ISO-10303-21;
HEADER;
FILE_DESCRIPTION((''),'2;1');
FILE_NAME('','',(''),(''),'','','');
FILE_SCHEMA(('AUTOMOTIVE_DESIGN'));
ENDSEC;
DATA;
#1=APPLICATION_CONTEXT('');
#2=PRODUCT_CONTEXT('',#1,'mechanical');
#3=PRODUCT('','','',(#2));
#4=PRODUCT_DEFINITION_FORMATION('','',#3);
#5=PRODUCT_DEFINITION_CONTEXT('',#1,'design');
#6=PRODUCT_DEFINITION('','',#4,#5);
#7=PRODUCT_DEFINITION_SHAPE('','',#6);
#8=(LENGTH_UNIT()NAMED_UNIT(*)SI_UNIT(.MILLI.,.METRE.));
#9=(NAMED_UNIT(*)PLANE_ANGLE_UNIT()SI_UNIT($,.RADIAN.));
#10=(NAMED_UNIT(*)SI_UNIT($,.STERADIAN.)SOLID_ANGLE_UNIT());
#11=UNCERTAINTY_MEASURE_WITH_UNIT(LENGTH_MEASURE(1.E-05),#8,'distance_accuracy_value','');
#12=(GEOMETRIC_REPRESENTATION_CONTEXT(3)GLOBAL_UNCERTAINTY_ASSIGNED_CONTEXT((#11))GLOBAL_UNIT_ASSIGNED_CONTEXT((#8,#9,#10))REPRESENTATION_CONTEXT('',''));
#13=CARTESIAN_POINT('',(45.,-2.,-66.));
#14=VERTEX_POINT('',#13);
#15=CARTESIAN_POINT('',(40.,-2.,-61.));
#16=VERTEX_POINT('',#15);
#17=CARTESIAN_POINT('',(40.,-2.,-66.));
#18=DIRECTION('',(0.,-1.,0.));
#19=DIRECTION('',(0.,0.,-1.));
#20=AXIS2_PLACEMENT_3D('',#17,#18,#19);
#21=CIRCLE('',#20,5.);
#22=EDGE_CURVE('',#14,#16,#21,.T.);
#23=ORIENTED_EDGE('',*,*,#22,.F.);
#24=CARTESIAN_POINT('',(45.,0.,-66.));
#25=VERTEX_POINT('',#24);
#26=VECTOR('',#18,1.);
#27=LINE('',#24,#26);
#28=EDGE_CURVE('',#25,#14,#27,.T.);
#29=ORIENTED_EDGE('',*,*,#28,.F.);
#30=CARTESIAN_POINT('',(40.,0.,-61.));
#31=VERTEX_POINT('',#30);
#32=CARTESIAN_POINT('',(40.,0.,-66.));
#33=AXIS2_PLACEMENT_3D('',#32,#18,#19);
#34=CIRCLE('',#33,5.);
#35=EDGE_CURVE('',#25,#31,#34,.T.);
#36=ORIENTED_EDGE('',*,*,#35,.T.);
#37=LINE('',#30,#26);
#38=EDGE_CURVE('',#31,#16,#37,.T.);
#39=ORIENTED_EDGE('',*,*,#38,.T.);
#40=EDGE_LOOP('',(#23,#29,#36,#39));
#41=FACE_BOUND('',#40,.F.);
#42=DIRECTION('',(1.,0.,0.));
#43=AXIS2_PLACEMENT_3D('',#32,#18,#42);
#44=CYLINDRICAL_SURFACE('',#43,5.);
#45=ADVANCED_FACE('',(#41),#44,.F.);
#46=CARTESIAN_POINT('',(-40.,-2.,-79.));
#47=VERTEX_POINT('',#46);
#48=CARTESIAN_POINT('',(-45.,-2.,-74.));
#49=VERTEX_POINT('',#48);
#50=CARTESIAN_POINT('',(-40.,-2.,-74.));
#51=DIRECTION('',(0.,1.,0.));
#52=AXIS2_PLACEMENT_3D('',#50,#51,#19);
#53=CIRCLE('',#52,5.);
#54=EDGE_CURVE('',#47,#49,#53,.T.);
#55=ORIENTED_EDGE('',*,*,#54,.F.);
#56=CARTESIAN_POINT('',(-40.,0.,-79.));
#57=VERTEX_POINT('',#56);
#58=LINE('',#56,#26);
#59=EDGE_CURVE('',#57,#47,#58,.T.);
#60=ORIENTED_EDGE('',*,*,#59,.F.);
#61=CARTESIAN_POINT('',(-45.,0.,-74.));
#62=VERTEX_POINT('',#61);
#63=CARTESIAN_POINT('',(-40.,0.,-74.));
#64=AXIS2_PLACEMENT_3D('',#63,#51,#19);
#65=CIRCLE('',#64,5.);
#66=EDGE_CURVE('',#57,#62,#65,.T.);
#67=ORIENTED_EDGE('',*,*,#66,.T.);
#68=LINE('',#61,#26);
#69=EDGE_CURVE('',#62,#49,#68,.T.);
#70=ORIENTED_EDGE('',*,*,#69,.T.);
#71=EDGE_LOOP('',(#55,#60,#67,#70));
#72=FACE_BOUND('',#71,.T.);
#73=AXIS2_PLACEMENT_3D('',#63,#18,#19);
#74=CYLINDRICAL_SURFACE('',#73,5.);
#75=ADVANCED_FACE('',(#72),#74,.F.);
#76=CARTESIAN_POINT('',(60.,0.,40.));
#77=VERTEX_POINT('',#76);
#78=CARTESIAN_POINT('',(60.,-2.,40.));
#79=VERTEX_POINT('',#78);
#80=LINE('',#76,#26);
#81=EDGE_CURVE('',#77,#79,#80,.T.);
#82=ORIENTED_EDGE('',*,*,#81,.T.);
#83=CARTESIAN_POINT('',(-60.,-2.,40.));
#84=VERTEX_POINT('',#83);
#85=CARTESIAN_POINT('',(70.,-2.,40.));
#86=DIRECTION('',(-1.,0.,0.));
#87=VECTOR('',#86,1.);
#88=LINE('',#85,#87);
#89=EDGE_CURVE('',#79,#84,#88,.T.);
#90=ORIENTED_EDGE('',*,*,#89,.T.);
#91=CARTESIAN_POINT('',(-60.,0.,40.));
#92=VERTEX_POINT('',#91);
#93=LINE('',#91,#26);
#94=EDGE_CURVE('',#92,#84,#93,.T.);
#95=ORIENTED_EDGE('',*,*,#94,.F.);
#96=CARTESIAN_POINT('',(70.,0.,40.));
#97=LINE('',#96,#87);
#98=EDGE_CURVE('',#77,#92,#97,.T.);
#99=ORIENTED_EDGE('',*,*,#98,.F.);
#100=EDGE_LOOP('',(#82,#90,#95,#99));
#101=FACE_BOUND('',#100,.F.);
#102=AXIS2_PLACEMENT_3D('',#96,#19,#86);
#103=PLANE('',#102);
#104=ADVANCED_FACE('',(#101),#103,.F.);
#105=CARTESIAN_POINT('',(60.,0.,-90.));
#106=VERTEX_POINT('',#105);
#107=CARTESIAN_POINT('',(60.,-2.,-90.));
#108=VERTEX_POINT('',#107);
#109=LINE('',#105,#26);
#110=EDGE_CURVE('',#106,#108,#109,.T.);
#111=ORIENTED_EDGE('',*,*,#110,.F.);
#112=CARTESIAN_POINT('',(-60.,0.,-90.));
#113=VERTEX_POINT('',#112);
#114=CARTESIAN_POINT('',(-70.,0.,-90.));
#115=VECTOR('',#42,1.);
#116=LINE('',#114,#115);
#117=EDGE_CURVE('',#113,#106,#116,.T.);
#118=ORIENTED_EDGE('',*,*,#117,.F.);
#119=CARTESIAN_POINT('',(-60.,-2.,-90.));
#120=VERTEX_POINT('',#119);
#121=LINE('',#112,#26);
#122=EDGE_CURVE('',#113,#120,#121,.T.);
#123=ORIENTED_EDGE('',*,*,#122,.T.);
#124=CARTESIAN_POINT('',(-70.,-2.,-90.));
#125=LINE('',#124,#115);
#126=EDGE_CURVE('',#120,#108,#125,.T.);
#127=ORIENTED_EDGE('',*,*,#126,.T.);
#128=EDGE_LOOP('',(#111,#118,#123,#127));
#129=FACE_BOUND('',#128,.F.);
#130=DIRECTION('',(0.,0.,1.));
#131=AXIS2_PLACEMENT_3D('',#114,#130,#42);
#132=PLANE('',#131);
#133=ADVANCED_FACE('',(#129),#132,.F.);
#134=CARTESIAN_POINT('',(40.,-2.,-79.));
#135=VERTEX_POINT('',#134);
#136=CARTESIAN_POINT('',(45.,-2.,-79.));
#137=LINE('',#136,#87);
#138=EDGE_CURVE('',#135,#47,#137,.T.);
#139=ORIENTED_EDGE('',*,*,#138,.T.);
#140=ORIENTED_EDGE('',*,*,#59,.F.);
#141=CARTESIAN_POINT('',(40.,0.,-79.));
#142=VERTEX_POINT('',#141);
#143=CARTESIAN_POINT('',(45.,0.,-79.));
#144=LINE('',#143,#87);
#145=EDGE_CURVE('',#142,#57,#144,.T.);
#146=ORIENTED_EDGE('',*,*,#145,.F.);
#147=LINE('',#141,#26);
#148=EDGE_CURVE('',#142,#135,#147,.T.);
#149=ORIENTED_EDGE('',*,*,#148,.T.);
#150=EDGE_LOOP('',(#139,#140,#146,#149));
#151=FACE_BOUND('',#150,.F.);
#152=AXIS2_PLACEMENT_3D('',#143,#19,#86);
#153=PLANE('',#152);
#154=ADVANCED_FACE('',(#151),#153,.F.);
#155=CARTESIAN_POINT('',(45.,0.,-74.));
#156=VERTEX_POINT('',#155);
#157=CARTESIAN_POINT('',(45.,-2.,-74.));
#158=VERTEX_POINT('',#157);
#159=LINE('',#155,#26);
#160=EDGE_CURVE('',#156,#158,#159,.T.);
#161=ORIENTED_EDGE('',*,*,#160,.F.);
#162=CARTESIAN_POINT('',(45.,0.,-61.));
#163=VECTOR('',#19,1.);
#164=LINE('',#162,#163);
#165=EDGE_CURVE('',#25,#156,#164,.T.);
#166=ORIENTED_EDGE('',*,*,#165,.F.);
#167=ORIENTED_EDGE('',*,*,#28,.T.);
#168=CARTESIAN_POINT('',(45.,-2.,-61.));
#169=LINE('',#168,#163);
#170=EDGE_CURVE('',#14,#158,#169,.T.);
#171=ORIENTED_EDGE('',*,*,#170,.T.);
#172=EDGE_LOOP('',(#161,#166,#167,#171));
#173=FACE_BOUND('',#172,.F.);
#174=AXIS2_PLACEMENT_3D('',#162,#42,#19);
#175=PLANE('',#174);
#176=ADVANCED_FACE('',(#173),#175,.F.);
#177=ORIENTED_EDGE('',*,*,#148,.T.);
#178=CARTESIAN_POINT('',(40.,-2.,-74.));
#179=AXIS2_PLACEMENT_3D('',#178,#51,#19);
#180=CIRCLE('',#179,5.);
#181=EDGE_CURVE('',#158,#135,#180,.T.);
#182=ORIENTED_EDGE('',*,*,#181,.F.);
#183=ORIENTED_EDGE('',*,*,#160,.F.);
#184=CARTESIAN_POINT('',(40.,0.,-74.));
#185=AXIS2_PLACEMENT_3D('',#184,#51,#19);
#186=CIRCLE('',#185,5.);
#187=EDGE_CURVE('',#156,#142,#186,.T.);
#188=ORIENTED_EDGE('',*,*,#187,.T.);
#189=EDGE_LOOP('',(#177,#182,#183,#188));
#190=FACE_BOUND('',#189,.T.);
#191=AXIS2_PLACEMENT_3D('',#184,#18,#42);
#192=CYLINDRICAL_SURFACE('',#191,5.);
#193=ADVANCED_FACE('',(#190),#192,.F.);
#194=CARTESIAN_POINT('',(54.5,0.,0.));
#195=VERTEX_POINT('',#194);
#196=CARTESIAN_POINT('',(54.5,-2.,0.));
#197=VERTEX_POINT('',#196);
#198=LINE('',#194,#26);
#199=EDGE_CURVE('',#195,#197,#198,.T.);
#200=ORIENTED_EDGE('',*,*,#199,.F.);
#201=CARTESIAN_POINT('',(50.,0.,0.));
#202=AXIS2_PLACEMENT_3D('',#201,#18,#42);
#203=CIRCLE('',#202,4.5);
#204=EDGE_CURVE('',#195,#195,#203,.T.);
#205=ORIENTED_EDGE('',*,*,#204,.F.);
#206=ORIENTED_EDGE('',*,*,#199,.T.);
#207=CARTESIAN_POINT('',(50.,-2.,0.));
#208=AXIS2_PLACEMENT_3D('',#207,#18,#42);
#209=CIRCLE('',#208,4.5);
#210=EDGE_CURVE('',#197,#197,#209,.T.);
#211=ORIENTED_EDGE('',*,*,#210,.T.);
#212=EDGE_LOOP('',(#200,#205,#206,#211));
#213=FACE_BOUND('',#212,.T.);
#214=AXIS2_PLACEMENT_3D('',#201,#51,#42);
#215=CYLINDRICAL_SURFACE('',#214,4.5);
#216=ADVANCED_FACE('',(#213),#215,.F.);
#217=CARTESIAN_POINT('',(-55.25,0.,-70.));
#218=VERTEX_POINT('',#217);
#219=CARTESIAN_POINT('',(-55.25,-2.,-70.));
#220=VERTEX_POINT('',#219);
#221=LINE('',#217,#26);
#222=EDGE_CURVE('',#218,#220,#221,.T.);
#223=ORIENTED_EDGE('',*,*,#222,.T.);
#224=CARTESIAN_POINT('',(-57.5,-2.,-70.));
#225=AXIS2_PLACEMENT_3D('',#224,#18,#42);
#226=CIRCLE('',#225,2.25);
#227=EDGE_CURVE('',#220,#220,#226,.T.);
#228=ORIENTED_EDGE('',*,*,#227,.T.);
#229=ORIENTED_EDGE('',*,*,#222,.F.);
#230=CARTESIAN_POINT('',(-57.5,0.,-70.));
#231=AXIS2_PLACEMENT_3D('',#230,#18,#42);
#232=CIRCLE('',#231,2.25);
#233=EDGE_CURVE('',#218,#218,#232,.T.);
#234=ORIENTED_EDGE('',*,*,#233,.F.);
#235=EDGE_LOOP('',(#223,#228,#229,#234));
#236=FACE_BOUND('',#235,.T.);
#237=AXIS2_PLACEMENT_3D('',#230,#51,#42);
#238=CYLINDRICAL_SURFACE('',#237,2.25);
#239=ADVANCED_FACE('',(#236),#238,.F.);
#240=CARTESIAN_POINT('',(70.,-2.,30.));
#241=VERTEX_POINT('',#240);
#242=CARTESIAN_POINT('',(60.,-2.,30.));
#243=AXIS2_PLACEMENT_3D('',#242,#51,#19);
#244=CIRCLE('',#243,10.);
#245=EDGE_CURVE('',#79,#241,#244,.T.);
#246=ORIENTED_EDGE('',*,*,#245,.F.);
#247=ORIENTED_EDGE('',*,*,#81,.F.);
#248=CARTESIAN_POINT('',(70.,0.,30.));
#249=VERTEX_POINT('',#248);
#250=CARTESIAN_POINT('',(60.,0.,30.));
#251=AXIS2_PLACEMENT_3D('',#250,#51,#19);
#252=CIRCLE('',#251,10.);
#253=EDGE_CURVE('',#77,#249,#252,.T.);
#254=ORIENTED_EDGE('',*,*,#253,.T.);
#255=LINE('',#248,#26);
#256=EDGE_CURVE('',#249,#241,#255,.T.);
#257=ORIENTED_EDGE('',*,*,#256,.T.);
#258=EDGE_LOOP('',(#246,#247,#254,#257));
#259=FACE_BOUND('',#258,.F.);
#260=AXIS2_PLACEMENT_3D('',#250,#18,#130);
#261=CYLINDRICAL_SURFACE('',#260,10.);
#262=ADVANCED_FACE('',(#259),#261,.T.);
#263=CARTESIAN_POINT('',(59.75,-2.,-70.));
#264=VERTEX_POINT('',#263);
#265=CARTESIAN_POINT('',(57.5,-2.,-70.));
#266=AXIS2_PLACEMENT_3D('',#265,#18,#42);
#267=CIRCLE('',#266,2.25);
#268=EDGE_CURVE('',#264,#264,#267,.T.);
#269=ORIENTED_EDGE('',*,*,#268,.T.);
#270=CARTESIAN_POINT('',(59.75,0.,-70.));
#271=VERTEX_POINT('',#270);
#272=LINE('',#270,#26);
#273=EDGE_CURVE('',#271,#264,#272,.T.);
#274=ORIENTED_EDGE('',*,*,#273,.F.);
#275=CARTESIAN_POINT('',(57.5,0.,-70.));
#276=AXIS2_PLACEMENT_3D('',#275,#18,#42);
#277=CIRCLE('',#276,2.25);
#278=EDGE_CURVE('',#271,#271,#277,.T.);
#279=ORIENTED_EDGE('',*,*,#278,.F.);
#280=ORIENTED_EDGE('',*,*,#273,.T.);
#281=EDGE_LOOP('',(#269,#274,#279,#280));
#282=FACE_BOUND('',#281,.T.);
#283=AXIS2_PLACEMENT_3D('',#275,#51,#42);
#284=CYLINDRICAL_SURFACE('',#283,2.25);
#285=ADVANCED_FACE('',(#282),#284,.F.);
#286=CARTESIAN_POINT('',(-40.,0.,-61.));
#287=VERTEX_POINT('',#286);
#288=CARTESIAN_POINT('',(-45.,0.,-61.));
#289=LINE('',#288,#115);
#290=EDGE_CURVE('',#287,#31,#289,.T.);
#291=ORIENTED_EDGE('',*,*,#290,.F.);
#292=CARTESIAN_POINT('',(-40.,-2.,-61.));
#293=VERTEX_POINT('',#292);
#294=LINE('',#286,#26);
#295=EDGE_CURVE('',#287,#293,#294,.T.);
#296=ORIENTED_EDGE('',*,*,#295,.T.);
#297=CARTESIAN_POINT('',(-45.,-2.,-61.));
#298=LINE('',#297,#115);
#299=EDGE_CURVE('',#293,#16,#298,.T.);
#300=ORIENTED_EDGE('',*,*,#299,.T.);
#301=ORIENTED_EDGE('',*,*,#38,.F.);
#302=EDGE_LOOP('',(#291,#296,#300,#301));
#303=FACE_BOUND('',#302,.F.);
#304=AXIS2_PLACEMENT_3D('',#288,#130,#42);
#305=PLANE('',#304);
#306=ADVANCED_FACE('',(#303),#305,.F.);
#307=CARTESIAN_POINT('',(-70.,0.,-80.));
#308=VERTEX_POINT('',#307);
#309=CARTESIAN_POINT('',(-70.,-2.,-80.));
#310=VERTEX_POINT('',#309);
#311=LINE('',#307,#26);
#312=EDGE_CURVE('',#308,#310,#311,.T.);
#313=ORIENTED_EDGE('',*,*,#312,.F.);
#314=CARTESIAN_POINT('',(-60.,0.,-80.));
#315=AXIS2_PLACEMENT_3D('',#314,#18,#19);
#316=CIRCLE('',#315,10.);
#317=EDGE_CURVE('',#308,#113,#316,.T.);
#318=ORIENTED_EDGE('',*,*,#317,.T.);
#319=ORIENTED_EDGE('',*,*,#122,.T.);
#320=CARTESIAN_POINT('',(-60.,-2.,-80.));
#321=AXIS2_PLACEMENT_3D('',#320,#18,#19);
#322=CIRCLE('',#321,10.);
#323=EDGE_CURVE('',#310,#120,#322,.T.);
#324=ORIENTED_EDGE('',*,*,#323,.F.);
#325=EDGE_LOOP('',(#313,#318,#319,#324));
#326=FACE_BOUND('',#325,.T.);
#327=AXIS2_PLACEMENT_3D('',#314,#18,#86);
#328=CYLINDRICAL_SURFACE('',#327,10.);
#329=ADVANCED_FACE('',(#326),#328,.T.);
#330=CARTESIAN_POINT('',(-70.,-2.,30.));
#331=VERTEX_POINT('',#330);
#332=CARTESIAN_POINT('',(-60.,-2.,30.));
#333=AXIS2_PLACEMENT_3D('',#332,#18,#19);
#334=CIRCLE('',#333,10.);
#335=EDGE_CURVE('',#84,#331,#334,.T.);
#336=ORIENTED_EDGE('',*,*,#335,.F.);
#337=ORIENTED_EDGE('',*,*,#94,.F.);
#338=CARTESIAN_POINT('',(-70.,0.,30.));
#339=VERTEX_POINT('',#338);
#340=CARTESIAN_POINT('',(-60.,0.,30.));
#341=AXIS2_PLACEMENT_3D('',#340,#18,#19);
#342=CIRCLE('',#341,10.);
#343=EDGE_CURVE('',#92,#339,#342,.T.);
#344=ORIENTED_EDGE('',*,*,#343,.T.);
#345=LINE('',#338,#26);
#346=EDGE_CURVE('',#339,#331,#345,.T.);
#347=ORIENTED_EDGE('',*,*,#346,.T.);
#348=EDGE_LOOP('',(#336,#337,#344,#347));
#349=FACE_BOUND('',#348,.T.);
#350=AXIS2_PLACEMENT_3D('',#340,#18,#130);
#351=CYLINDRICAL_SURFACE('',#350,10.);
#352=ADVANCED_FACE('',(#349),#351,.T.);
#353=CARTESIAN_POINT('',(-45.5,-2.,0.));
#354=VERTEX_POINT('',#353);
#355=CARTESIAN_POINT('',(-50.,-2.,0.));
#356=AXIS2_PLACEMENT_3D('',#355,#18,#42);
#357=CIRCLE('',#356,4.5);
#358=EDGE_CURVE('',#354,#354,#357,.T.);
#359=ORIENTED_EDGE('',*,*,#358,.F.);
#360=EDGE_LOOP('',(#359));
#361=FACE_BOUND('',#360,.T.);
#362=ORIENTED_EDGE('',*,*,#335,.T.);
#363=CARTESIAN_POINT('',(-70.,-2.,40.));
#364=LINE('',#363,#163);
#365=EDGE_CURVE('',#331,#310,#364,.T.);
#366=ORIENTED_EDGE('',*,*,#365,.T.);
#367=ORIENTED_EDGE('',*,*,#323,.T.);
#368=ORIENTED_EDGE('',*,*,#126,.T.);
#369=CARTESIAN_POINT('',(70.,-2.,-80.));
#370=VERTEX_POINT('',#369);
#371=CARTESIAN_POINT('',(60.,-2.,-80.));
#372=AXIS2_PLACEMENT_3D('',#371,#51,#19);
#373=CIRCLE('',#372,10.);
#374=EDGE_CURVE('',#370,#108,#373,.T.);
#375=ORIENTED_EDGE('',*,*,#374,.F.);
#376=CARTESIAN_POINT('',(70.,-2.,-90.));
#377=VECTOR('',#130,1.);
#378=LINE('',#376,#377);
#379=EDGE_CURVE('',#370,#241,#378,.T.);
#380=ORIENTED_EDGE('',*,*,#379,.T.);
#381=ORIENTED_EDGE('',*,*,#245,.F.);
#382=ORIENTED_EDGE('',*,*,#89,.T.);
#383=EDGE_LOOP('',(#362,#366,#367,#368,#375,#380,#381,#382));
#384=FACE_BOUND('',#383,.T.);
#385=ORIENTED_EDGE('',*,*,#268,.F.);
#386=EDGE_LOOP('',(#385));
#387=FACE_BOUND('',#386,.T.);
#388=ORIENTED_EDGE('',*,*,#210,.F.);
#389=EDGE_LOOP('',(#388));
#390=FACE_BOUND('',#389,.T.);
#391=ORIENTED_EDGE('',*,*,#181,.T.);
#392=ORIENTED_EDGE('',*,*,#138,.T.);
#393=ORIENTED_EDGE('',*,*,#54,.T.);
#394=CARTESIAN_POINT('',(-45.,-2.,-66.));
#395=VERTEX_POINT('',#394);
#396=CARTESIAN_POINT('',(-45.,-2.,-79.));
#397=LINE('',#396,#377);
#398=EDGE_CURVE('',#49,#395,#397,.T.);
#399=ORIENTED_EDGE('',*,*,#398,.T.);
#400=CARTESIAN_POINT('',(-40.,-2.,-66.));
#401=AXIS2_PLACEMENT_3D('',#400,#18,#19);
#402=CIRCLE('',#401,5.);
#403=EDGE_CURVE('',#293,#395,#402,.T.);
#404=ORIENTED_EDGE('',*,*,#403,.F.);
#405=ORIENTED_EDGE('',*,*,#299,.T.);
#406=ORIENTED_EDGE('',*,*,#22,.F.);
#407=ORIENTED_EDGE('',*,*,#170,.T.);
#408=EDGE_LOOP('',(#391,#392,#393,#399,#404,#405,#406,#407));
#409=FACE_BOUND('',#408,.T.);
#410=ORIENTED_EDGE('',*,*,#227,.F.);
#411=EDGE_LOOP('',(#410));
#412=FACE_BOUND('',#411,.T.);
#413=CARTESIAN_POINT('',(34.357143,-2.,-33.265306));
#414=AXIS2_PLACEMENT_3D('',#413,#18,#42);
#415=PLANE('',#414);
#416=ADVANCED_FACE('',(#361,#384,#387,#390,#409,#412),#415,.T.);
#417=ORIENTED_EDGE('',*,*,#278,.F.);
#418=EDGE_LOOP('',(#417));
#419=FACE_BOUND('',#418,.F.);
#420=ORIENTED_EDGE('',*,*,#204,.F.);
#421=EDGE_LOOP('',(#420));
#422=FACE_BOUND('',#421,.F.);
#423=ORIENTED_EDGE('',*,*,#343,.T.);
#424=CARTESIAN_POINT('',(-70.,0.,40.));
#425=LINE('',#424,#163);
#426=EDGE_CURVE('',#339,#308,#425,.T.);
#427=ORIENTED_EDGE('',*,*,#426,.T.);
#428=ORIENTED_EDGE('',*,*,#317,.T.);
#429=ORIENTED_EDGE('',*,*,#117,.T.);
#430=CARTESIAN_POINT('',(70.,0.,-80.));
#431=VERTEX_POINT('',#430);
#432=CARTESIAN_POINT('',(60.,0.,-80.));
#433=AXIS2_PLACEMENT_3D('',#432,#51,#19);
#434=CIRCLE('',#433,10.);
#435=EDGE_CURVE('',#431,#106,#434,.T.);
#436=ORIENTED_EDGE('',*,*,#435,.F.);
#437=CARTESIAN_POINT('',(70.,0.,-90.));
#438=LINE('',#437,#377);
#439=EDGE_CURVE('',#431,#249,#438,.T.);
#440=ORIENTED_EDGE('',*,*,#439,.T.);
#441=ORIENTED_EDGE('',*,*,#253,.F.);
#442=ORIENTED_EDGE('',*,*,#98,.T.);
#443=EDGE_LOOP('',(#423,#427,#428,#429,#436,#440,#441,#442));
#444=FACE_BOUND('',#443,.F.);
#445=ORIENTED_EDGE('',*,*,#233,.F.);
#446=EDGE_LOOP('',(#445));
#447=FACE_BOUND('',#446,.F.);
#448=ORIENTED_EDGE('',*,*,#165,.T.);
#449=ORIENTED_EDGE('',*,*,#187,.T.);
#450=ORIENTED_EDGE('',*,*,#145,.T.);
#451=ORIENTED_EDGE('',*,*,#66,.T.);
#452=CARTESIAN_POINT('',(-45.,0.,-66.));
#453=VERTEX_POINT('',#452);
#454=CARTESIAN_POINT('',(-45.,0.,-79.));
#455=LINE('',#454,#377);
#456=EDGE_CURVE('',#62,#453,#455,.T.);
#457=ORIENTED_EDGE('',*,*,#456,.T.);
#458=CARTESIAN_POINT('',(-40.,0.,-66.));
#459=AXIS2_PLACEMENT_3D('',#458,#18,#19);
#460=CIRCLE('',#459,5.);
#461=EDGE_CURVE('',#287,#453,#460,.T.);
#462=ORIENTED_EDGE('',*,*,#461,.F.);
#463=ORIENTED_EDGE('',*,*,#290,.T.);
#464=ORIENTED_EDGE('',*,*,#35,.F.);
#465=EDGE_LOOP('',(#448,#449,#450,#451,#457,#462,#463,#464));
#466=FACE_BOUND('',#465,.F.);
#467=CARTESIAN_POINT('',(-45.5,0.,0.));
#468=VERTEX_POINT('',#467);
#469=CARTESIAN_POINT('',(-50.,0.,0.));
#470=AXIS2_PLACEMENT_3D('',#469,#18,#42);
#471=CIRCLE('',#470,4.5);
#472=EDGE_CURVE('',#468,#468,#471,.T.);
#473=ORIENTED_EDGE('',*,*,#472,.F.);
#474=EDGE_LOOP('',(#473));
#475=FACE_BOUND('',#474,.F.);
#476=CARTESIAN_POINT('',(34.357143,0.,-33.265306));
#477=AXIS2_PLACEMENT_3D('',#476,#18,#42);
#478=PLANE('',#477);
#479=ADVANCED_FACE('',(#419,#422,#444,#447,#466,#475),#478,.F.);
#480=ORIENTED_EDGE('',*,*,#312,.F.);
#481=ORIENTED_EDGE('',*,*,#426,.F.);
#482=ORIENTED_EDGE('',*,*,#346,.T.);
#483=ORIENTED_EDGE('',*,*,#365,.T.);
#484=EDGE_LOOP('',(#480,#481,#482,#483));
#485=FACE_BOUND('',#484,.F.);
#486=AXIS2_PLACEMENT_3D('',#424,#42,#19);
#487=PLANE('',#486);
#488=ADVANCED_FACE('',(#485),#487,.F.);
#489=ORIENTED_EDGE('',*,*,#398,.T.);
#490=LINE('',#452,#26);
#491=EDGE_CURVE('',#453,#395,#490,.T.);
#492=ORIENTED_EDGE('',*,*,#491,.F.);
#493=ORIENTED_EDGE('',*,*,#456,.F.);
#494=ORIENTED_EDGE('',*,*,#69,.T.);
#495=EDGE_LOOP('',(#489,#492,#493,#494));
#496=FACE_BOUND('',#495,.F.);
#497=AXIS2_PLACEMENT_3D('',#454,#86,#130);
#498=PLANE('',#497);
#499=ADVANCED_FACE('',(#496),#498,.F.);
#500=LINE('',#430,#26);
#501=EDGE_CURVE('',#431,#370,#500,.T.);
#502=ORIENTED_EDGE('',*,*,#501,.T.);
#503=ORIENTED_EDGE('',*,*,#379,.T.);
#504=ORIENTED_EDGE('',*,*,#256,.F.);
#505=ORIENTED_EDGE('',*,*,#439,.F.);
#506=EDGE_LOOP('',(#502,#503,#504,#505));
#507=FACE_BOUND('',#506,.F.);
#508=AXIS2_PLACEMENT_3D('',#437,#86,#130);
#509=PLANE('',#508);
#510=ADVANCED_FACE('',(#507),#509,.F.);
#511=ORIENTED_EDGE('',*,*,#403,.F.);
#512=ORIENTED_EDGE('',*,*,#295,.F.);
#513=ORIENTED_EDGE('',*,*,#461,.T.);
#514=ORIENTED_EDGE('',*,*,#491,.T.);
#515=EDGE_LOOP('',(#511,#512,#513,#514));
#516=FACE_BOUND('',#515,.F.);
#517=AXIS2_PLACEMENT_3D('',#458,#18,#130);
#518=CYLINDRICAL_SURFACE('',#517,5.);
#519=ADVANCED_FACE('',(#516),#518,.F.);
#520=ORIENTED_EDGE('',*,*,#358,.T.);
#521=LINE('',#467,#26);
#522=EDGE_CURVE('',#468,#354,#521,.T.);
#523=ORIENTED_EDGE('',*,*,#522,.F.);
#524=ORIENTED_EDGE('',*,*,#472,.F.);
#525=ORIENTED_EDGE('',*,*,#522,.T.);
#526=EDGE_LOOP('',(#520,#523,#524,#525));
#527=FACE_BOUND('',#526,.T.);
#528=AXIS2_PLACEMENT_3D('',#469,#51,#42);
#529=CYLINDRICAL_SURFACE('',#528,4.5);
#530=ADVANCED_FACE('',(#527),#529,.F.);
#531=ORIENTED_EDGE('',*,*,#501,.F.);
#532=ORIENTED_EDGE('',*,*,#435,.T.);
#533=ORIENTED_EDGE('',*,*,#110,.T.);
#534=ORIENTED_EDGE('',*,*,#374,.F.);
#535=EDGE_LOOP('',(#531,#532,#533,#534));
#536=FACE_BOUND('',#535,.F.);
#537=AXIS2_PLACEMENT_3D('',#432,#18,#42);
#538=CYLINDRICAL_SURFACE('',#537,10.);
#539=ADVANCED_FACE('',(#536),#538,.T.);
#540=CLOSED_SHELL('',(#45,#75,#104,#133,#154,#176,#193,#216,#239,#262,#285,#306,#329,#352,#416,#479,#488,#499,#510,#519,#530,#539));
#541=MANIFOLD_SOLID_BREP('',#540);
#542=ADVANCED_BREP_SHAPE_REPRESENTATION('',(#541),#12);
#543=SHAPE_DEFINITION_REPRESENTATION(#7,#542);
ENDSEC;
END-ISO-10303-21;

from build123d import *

# Parameters (mm, degrees)
F0_R     = 2.25
F0_R_2   = 4.5
F1_DEPTH = 2
F2_R     = 10
F3_R     = 5


with BuildPart() as f1:
    # F0 (on Front) → F1 (new body)
    with BuildSketch(Plane.XZ):
        Polygon((70, 40), (0, 40), (0, -61), (45, -61), (45, -79), (0, -79), (0, -90), (70, -90), align=None)
        with Locations((57.5, -70)):
            Circle(F0_R, mode=Mode.SUBTRACT)
        with Locations((50, 0)):
            Circle(F0_R_2, mode=Mode.SUBTRACT)
        Polygon((0, -61), (0, 40), (-70, 40), (-70, -90), (0, -90), (0, -79), (-45, -79), (-45, -61), align=None)
        with Locations((-57.5, -70)):
            Circle(F0_R, mode=Mode.SUBTRACT)
        with Locations((-50, 0)):
            Circle(F0_R_2, mode=Mode.SUBTRACT)
    extrude(amount=F1_DEPTH)

    # F2
    f2_edges = [f1.edges().sort_by_distance(p)[0] for p in [
        (70, -1, 40),
        (-70, -1, 40),
        (70, -1, -90),
        (-70, -1, -90),
    ]]
    fillet(f2_edges, radius=F2_R)

    # F3
    f3_edges = [f1.edges().sort_by_distance(p)[0] for p in [
        (45, -1, -61),
        (45, -1, -79),
        (-45, -1, -79),
        (-45, -1, -61),
    ]]
    fillet(f3_edges, radius=F3_R)


solid = f1.part
